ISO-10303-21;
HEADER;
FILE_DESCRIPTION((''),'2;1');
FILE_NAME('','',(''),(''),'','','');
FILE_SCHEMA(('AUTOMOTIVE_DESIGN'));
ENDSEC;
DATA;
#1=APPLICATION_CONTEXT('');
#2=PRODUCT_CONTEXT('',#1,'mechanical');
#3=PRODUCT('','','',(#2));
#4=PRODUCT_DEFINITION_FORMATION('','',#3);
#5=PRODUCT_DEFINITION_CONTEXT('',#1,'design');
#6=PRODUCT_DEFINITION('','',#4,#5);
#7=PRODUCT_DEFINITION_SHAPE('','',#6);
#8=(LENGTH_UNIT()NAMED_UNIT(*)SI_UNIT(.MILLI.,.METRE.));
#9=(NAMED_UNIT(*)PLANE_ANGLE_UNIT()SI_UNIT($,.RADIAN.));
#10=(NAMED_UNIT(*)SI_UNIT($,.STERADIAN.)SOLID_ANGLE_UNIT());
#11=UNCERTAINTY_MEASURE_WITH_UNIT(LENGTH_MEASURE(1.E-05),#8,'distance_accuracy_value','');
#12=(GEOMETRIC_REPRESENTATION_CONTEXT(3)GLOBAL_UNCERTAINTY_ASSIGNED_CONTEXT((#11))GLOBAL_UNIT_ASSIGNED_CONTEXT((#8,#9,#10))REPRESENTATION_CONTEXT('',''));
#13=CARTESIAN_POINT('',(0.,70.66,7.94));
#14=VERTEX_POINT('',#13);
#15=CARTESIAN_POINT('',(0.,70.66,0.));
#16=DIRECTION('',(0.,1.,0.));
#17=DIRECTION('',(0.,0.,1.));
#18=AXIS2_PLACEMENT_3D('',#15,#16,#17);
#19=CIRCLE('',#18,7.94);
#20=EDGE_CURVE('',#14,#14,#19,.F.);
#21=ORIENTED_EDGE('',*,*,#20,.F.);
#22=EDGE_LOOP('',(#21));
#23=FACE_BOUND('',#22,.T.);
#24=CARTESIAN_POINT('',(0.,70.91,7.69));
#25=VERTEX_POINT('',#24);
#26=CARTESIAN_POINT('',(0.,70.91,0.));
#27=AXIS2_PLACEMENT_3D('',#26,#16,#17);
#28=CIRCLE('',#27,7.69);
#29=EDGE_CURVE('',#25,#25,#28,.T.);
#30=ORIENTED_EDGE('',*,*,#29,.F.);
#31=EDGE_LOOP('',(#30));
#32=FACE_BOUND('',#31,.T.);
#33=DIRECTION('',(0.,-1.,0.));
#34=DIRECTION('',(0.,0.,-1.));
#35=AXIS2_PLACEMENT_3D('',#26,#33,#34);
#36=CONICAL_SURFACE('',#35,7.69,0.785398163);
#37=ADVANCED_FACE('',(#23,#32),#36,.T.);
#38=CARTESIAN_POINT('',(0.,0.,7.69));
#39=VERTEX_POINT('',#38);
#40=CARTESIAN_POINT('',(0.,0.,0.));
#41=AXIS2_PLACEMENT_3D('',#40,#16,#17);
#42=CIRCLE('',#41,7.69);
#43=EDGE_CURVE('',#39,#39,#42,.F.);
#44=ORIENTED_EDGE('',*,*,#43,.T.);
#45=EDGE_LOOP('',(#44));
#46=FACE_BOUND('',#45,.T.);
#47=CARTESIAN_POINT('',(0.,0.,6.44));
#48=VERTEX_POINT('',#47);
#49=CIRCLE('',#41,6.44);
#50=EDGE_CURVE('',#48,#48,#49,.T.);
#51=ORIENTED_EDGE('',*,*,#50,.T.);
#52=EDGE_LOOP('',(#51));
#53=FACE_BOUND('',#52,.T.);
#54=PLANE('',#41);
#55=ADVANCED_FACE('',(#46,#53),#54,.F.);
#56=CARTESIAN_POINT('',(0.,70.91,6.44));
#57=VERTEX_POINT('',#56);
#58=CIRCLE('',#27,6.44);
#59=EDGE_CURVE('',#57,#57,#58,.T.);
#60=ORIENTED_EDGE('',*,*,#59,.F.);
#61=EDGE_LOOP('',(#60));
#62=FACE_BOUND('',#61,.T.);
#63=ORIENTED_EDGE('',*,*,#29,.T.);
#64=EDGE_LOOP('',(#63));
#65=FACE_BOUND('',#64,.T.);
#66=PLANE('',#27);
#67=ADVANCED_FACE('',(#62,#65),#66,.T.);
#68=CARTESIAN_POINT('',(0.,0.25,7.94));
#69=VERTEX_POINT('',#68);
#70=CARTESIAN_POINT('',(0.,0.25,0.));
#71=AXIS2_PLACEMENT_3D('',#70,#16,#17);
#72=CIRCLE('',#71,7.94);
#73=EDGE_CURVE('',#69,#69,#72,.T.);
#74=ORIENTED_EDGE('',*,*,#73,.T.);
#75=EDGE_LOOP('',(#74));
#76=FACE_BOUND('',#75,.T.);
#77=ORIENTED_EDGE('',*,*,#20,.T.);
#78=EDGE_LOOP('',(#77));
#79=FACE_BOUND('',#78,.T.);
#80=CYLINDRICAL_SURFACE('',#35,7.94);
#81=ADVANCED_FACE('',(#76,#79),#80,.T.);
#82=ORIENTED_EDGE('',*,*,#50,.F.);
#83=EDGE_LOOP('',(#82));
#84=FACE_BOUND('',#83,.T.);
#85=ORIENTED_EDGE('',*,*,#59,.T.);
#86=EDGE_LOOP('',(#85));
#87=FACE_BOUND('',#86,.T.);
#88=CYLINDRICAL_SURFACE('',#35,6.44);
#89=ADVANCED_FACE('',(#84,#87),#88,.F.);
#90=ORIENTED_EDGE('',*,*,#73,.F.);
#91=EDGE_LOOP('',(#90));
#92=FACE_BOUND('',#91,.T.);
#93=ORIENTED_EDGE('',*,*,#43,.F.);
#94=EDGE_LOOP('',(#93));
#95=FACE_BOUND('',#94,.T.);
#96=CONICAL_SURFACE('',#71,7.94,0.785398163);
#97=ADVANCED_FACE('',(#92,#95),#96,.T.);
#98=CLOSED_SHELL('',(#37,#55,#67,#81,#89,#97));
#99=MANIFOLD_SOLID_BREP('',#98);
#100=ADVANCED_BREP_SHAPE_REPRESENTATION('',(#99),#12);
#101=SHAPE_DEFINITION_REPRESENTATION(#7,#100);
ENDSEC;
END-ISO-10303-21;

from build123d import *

# Parameters (mm, degrees)
SKETCH1_R           = 7.94
SKETCH1_R_2         = 6.44
BOSS_EXTRUDE1_DEPTH = 70.91
CHAMFER1_SIZE       = 0.25


with BuildPart() as part:
    # Sketch1 → Boss-Extrude1 (new body)
    with BuildSketch(Plane(origin=(0, 0, 0), x_dir=(1, 0, 0), z_dir=(0, 1, 0))):
        Circle(SKETCH1_R)
        Circle(SKETCH1_R_2, mode=Mode.SUBTRACT)
    extrude(amount=BOSS_EXTRUDE1_DEPTH)

    # Chamfer1
    chamfer1_edges = [part.edges().sort_by_distance(p)[0] for p in [
        (-7.94, 0, 0),
        (-7.94, 70.91, 0),
    ]]
    chamfer(chamfer1_edges, length=CHAMFER1_SIZE)


solid = part.part
